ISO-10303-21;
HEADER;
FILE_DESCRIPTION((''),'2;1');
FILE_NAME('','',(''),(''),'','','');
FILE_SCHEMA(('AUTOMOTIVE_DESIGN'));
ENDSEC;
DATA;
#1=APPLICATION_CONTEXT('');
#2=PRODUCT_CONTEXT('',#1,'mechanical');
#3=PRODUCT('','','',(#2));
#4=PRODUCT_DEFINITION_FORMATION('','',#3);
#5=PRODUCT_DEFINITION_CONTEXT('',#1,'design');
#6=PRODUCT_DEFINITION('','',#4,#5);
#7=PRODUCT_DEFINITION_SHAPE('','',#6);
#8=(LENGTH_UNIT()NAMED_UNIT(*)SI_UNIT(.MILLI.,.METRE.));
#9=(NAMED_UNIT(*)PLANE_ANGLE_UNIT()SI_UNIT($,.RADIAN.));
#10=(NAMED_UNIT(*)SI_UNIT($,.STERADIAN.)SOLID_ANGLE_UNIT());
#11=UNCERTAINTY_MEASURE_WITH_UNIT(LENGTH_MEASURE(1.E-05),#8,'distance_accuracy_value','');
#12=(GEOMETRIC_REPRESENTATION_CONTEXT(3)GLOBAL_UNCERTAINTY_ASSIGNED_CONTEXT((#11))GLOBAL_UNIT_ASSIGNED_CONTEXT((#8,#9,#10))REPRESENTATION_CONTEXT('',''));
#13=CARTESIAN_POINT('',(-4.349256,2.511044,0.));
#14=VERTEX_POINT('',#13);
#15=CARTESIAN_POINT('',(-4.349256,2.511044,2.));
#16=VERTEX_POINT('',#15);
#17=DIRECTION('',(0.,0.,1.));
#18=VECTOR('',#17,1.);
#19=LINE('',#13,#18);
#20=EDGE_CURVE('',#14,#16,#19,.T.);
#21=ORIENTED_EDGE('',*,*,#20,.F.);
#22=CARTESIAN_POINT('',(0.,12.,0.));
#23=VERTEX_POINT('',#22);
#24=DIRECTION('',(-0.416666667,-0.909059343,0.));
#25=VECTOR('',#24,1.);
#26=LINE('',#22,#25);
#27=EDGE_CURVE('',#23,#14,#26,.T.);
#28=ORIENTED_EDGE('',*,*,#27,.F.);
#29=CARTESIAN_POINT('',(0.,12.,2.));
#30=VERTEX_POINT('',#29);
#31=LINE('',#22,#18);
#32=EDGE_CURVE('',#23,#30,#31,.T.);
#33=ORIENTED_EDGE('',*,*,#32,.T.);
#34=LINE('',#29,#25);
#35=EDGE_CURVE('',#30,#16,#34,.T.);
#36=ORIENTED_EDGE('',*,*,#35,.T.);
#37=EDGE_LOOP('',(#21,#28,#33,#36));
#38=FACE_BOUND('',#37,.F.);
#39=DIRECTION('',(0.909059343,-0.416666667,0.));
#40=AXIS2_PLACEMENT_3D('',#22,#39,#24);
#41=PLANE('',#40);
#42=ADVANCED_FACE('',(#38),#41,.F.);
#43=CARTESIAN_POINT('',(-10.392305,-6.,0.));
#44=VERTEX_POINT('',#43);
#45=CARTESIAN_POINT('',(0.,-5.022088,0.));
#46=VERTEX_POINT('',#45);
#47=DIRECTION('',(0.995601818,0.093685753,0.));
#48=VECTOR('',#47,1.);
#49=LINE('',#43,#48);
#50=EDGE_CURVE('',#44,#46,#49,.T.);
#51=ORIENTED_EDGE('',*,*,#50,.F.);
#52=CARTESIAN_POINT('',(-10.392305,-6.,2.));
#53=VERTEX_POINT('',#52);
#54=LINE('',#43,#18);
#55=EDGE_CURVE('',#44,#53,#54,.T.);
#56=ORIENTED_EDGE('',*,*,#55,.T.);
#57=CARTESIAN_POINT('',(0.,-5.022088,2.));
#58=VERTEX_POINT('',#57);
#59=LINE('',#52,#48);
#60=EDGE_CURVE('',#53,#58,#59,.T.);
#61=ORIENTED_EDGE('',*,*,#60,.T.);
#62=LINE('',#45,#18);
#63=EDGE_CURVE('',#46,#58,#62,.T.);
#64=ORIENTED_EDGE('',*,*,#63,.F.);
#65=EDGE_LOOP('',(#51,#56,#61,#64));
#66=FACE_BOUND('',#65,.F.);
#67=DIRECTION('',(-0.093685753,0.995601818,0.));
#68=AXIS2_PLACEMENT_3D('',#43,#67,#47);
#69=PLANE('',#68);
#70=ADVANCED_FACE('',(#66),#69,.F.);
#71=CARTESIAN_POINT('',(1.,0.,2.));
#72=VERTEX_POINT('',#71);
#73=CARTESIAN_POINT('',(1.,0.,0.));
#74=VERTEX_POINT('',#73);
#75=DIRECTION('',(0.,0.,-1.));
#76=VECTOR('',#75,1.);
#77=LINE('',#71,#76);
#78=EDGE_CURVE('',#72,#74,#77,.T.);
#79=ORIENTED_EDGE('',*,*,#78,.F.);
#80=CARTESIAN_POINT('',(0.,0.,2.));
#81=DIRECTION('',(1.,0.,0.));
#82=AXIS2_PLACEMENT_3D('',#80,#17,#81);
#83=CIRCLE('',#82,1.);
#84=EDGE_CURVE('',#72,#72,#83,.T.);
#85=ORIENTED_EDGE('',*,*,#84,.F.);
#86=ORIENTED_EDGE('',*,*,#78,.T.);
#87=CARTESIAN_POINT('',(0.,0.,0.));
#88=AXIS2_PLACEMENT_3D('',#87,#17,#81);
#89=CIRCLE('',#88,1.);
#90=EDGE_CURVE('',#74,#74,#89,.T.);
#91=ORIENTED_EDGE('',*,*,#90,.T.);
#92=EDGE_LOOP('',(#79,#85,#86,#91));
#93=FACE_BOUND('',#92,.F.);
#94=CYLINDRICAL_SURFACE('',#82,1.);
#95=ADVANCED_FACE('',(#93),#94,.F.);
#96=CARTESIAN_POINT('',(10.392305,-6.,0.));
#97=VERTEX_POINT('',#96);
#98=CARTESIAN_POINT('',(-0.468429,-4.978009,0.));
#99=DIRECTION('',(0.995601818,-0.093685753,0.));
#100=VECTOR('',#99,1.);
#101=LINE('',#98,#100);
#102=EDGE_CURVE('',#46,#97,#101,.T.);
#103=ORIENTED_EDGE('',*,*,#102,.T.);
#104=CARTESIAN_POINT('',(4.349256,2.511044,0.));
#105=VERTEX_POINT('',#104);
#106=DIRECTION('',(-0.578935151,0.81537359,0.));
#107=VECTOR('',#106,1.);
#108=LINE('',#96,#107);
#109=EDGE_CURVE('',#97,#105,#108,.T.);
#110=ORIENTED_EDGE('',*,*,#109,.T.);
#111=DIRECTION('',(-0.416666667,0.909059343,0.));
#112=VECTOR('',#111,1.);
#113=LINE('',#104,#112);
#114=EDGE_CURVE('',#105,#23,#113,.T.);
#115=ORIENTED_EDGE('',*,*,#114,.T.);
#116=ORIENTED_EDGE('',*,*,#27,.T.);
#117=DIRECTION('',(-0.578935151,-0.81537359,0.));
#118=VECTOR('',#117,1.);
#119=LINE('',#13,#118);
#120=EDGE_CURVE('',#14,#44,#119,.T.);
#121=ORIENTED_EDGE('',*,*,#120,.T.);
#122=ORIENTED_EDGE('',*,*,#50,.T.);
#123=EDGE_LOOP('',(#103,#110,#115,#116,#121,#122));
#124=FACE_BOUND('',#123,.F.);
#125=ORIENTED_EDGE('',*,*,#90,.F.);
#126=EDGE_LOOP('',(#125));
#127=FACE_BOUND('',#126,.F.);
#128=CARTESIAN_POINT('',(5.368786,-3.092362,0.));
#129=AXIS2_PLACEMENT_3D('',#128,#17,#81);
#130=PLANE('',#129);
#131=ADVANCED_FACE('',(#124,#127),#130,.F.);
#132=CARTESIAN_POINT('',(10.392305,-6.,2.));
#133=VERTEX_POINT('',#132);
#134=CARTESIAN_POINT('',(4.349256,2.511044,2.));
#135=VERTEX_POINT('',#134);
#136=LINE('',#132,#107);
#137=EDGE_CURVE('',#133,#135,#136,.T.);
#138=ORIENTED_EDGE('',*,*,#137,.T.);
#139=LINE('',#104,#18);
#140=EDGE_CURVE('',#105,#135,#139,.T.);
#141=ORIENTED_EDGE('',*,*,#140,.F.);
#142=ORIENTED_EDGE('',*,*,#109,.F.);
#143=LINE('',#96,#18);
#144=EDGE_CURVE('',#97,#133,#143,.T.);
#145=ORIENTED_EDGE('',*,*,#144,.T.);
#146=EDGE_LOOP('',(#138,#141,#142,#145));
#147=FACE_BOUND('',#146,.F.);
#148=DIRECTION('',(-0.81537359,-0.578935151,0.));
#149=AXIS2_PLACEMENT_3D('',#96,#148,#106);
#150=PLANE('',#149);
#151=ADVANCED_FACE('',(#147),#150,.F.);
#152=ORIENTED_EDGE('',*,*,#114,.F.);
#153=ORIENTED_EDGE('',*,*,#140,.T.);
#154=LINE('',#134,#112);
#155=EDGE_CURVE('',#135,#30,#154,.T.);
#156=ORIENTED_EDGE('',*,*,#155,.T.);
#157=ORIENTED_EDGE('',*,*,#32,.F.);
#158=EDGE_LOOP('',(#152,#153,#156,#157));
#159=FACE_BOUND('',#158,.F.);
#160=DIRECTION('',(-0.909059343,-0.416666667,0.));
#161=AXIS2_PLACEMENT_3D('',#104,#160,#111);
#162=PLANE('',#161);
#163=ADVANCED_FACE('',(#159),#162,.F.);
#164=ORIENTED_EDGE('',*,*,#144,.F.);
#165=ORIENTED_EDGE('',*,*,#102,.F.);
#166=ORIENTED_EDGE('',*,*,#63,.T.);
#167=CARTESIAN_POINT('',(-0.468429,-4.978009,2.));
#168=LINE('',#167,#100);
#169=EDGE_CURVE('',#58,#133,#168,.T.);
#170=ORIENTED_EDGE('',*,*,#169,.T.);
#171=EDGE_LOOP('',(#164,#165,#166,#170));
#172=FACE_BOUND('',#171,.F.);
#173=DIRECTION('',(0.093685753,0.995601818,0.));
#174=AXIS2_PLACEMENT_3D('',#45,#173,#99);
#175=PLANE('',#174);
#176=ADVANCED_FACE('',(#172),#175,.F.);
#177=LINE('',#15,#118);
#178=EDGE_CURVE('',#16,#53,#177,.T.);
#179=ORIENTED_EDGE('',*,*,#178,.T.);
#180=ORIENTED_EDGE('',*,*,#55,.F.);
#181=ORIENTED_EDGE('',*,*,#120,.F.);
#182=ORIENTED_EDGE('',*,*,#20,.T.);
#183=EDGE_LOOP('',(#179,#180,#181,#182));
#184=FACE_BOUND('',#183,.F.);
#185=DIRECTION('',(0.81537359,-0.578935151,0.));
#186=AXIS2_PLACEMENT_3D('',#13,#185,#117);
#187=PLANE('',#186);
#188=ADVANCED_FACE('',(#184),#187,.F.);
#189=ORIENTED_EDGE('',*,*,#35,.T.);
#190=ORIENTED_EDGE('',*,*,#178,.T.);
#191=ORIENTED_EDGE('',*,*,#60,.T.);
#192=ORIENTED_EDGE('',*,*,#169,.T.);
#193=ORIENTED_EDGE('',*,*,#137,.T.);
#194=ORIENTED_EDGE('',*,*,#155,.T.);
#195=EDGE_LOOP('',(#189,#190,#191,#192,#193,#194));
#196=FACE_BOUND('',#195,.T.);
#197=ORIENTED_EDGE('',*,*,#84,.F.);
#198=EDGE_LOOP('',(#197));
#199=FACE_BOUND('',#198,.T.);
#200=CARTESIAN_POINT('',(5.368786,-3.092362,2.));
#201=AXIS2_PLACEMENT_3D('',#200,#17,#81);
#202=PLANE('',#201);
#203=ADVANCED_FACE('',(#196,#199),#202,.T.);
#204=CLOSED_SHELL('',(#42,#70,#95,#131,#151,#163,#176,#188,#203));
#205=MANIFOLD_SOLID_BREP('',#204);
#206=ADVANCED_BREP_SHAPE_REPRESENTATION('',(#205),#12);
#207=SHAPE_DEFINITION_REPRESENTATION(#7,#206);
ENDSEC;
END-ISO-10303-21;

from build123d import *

# Parameters (mm, degrees)
F1_DEPTH = 2
F2_R     = 1
F3_DEPTH = 2.001


with BuildPart() as f1:
    # F0 (on Top) → F1 (new body)
    with BuildSketch(Plane.XY):
        with BuildLine():
            ThreePointArc((4.5452967144, 2.0833333333), (4.8850017181, 1.066188639), (5, 0))
            ThreePointArc((5, 0), (3.6974412659, -3.3658473057), (0.468428766, -4.9780090891))
            Line((0.468428766, -4.9780090891), (0, -5.0220880582))
            Line((0, -5.0220880582), (10.3923048454, -6))
            Line((10.3923048454, -6), (4.3492558384, 2.5110440291))
            Line((4.3492558384, 2.5110440291), (4.5452967144, 2.0833333333))
        make_face()
        with BuildLine():
            ThreePointArc((4.0768679484, 2.8946757558), (4.3301270189, 2.5), (4.5452967144, 2.0833333333))
            Line((4.5452967144, 2.0833333333), (4.3492558384, 2.5110440291))
            Line((4.3492558384, 2.5110440291), (4.0768679484, 2.8946757558))
        make_face()
        with BuildLine():
            Line((0, -5.0220880582), (0.468428766, -4.9780090891))
            ThreePointArc((0.468428766, -4.9780090891), (0, -5), (-0.468428766, -4.9780090891))
            Line((-0.468428766, -4.9780090891), (0, -5.0220880582))
        make_face()
        with BuildLine():
            ThreePointArc((-4.0768679484, 2.8946757558), (0, 5), (4.0768679484, 2.8946757558))
            Line((4.0768679484, 2.8946757558), (4.3492558384, 2.5110440291))
            Line((4.3492558384, 2.5110440291), (0, 12))
            Line((0, 12), (-4.3492558384, 2.5110440291))
            Line((-4.3492558384, 2.5110440291), (-4.0768679484, 2.8946757558))
        make_face()
        with BuildLine():
            Line((0, -5.0220880582), (-0.468428766, -4.9780090891))
            ThreePointArc((-0.468428766, -4.9780090891), (-4.3301270189, -2.5), (-4.5452967144, 2.0833333333))
            Line((-4.5452967144, 2.0833333333), (-4.3492558384, 2.5110440291))
            Line((-4.3492558384, 2.5110440291), (-10.3923048454, -6))
            Line((-10.3923048454, -6), (0, -5.0220880582))
        make_face()
        with BuildLine():
            ThreePointArc((-4.5452967144, 2.0833333333), (-4.3301270189, 2.5), (-4.0768679484, 2.8946757558))
            Line((-4.0768679484, 2.8946757558), (-4.3492558384, 2.5110440291))
            Line((-4.3492558384, 2.5110440291), (-4.5452967144, 2.0833333333))
        make_face()
        with BuildLine():
            ThreePointArc((0.468428766, -4.9780090891), (3.6974412659, -3.3658473057), (5, 0))
            ThreePointArc((5, 0), (4.8850017181, 1.066188639), (4.5452967144, 2.0833333333))
            ThreePointArc((4.5452967144, 2.0833333333), (4.3301270189, 2.5), (4.0768679484, 2.8946757558))
            ThreePointArc((4.0768679484, 2.8946757558), (0, 5), (-4.0768679484, 2.8946757558))
            ThreePointArc((-4.0768679484, 2.8946757558), (-4.3301270189, 2.5), (-4.5452967144, 2.0833333333))
            ThreePointArc((-4.5452967144, 2.0833333333), (-4.3301270189, -2.5), (-0.468428766, -4.9780090891))
            ThreePointArc((-0.468428766, -4.9780090891), (0, -5), (0.468428766, -4.9780090891))
        make_face()
    extrude(amount=F1_DEPTH)

    # F2 (on face) → F3 (cut, through all)
    with BuildSketch(Plane.XY.offset(2)):
        Circle(F2_R)
    extrude(amount=-F3_DEPTH, mode=Mode.SUBTRACT)


solid = f1.part
